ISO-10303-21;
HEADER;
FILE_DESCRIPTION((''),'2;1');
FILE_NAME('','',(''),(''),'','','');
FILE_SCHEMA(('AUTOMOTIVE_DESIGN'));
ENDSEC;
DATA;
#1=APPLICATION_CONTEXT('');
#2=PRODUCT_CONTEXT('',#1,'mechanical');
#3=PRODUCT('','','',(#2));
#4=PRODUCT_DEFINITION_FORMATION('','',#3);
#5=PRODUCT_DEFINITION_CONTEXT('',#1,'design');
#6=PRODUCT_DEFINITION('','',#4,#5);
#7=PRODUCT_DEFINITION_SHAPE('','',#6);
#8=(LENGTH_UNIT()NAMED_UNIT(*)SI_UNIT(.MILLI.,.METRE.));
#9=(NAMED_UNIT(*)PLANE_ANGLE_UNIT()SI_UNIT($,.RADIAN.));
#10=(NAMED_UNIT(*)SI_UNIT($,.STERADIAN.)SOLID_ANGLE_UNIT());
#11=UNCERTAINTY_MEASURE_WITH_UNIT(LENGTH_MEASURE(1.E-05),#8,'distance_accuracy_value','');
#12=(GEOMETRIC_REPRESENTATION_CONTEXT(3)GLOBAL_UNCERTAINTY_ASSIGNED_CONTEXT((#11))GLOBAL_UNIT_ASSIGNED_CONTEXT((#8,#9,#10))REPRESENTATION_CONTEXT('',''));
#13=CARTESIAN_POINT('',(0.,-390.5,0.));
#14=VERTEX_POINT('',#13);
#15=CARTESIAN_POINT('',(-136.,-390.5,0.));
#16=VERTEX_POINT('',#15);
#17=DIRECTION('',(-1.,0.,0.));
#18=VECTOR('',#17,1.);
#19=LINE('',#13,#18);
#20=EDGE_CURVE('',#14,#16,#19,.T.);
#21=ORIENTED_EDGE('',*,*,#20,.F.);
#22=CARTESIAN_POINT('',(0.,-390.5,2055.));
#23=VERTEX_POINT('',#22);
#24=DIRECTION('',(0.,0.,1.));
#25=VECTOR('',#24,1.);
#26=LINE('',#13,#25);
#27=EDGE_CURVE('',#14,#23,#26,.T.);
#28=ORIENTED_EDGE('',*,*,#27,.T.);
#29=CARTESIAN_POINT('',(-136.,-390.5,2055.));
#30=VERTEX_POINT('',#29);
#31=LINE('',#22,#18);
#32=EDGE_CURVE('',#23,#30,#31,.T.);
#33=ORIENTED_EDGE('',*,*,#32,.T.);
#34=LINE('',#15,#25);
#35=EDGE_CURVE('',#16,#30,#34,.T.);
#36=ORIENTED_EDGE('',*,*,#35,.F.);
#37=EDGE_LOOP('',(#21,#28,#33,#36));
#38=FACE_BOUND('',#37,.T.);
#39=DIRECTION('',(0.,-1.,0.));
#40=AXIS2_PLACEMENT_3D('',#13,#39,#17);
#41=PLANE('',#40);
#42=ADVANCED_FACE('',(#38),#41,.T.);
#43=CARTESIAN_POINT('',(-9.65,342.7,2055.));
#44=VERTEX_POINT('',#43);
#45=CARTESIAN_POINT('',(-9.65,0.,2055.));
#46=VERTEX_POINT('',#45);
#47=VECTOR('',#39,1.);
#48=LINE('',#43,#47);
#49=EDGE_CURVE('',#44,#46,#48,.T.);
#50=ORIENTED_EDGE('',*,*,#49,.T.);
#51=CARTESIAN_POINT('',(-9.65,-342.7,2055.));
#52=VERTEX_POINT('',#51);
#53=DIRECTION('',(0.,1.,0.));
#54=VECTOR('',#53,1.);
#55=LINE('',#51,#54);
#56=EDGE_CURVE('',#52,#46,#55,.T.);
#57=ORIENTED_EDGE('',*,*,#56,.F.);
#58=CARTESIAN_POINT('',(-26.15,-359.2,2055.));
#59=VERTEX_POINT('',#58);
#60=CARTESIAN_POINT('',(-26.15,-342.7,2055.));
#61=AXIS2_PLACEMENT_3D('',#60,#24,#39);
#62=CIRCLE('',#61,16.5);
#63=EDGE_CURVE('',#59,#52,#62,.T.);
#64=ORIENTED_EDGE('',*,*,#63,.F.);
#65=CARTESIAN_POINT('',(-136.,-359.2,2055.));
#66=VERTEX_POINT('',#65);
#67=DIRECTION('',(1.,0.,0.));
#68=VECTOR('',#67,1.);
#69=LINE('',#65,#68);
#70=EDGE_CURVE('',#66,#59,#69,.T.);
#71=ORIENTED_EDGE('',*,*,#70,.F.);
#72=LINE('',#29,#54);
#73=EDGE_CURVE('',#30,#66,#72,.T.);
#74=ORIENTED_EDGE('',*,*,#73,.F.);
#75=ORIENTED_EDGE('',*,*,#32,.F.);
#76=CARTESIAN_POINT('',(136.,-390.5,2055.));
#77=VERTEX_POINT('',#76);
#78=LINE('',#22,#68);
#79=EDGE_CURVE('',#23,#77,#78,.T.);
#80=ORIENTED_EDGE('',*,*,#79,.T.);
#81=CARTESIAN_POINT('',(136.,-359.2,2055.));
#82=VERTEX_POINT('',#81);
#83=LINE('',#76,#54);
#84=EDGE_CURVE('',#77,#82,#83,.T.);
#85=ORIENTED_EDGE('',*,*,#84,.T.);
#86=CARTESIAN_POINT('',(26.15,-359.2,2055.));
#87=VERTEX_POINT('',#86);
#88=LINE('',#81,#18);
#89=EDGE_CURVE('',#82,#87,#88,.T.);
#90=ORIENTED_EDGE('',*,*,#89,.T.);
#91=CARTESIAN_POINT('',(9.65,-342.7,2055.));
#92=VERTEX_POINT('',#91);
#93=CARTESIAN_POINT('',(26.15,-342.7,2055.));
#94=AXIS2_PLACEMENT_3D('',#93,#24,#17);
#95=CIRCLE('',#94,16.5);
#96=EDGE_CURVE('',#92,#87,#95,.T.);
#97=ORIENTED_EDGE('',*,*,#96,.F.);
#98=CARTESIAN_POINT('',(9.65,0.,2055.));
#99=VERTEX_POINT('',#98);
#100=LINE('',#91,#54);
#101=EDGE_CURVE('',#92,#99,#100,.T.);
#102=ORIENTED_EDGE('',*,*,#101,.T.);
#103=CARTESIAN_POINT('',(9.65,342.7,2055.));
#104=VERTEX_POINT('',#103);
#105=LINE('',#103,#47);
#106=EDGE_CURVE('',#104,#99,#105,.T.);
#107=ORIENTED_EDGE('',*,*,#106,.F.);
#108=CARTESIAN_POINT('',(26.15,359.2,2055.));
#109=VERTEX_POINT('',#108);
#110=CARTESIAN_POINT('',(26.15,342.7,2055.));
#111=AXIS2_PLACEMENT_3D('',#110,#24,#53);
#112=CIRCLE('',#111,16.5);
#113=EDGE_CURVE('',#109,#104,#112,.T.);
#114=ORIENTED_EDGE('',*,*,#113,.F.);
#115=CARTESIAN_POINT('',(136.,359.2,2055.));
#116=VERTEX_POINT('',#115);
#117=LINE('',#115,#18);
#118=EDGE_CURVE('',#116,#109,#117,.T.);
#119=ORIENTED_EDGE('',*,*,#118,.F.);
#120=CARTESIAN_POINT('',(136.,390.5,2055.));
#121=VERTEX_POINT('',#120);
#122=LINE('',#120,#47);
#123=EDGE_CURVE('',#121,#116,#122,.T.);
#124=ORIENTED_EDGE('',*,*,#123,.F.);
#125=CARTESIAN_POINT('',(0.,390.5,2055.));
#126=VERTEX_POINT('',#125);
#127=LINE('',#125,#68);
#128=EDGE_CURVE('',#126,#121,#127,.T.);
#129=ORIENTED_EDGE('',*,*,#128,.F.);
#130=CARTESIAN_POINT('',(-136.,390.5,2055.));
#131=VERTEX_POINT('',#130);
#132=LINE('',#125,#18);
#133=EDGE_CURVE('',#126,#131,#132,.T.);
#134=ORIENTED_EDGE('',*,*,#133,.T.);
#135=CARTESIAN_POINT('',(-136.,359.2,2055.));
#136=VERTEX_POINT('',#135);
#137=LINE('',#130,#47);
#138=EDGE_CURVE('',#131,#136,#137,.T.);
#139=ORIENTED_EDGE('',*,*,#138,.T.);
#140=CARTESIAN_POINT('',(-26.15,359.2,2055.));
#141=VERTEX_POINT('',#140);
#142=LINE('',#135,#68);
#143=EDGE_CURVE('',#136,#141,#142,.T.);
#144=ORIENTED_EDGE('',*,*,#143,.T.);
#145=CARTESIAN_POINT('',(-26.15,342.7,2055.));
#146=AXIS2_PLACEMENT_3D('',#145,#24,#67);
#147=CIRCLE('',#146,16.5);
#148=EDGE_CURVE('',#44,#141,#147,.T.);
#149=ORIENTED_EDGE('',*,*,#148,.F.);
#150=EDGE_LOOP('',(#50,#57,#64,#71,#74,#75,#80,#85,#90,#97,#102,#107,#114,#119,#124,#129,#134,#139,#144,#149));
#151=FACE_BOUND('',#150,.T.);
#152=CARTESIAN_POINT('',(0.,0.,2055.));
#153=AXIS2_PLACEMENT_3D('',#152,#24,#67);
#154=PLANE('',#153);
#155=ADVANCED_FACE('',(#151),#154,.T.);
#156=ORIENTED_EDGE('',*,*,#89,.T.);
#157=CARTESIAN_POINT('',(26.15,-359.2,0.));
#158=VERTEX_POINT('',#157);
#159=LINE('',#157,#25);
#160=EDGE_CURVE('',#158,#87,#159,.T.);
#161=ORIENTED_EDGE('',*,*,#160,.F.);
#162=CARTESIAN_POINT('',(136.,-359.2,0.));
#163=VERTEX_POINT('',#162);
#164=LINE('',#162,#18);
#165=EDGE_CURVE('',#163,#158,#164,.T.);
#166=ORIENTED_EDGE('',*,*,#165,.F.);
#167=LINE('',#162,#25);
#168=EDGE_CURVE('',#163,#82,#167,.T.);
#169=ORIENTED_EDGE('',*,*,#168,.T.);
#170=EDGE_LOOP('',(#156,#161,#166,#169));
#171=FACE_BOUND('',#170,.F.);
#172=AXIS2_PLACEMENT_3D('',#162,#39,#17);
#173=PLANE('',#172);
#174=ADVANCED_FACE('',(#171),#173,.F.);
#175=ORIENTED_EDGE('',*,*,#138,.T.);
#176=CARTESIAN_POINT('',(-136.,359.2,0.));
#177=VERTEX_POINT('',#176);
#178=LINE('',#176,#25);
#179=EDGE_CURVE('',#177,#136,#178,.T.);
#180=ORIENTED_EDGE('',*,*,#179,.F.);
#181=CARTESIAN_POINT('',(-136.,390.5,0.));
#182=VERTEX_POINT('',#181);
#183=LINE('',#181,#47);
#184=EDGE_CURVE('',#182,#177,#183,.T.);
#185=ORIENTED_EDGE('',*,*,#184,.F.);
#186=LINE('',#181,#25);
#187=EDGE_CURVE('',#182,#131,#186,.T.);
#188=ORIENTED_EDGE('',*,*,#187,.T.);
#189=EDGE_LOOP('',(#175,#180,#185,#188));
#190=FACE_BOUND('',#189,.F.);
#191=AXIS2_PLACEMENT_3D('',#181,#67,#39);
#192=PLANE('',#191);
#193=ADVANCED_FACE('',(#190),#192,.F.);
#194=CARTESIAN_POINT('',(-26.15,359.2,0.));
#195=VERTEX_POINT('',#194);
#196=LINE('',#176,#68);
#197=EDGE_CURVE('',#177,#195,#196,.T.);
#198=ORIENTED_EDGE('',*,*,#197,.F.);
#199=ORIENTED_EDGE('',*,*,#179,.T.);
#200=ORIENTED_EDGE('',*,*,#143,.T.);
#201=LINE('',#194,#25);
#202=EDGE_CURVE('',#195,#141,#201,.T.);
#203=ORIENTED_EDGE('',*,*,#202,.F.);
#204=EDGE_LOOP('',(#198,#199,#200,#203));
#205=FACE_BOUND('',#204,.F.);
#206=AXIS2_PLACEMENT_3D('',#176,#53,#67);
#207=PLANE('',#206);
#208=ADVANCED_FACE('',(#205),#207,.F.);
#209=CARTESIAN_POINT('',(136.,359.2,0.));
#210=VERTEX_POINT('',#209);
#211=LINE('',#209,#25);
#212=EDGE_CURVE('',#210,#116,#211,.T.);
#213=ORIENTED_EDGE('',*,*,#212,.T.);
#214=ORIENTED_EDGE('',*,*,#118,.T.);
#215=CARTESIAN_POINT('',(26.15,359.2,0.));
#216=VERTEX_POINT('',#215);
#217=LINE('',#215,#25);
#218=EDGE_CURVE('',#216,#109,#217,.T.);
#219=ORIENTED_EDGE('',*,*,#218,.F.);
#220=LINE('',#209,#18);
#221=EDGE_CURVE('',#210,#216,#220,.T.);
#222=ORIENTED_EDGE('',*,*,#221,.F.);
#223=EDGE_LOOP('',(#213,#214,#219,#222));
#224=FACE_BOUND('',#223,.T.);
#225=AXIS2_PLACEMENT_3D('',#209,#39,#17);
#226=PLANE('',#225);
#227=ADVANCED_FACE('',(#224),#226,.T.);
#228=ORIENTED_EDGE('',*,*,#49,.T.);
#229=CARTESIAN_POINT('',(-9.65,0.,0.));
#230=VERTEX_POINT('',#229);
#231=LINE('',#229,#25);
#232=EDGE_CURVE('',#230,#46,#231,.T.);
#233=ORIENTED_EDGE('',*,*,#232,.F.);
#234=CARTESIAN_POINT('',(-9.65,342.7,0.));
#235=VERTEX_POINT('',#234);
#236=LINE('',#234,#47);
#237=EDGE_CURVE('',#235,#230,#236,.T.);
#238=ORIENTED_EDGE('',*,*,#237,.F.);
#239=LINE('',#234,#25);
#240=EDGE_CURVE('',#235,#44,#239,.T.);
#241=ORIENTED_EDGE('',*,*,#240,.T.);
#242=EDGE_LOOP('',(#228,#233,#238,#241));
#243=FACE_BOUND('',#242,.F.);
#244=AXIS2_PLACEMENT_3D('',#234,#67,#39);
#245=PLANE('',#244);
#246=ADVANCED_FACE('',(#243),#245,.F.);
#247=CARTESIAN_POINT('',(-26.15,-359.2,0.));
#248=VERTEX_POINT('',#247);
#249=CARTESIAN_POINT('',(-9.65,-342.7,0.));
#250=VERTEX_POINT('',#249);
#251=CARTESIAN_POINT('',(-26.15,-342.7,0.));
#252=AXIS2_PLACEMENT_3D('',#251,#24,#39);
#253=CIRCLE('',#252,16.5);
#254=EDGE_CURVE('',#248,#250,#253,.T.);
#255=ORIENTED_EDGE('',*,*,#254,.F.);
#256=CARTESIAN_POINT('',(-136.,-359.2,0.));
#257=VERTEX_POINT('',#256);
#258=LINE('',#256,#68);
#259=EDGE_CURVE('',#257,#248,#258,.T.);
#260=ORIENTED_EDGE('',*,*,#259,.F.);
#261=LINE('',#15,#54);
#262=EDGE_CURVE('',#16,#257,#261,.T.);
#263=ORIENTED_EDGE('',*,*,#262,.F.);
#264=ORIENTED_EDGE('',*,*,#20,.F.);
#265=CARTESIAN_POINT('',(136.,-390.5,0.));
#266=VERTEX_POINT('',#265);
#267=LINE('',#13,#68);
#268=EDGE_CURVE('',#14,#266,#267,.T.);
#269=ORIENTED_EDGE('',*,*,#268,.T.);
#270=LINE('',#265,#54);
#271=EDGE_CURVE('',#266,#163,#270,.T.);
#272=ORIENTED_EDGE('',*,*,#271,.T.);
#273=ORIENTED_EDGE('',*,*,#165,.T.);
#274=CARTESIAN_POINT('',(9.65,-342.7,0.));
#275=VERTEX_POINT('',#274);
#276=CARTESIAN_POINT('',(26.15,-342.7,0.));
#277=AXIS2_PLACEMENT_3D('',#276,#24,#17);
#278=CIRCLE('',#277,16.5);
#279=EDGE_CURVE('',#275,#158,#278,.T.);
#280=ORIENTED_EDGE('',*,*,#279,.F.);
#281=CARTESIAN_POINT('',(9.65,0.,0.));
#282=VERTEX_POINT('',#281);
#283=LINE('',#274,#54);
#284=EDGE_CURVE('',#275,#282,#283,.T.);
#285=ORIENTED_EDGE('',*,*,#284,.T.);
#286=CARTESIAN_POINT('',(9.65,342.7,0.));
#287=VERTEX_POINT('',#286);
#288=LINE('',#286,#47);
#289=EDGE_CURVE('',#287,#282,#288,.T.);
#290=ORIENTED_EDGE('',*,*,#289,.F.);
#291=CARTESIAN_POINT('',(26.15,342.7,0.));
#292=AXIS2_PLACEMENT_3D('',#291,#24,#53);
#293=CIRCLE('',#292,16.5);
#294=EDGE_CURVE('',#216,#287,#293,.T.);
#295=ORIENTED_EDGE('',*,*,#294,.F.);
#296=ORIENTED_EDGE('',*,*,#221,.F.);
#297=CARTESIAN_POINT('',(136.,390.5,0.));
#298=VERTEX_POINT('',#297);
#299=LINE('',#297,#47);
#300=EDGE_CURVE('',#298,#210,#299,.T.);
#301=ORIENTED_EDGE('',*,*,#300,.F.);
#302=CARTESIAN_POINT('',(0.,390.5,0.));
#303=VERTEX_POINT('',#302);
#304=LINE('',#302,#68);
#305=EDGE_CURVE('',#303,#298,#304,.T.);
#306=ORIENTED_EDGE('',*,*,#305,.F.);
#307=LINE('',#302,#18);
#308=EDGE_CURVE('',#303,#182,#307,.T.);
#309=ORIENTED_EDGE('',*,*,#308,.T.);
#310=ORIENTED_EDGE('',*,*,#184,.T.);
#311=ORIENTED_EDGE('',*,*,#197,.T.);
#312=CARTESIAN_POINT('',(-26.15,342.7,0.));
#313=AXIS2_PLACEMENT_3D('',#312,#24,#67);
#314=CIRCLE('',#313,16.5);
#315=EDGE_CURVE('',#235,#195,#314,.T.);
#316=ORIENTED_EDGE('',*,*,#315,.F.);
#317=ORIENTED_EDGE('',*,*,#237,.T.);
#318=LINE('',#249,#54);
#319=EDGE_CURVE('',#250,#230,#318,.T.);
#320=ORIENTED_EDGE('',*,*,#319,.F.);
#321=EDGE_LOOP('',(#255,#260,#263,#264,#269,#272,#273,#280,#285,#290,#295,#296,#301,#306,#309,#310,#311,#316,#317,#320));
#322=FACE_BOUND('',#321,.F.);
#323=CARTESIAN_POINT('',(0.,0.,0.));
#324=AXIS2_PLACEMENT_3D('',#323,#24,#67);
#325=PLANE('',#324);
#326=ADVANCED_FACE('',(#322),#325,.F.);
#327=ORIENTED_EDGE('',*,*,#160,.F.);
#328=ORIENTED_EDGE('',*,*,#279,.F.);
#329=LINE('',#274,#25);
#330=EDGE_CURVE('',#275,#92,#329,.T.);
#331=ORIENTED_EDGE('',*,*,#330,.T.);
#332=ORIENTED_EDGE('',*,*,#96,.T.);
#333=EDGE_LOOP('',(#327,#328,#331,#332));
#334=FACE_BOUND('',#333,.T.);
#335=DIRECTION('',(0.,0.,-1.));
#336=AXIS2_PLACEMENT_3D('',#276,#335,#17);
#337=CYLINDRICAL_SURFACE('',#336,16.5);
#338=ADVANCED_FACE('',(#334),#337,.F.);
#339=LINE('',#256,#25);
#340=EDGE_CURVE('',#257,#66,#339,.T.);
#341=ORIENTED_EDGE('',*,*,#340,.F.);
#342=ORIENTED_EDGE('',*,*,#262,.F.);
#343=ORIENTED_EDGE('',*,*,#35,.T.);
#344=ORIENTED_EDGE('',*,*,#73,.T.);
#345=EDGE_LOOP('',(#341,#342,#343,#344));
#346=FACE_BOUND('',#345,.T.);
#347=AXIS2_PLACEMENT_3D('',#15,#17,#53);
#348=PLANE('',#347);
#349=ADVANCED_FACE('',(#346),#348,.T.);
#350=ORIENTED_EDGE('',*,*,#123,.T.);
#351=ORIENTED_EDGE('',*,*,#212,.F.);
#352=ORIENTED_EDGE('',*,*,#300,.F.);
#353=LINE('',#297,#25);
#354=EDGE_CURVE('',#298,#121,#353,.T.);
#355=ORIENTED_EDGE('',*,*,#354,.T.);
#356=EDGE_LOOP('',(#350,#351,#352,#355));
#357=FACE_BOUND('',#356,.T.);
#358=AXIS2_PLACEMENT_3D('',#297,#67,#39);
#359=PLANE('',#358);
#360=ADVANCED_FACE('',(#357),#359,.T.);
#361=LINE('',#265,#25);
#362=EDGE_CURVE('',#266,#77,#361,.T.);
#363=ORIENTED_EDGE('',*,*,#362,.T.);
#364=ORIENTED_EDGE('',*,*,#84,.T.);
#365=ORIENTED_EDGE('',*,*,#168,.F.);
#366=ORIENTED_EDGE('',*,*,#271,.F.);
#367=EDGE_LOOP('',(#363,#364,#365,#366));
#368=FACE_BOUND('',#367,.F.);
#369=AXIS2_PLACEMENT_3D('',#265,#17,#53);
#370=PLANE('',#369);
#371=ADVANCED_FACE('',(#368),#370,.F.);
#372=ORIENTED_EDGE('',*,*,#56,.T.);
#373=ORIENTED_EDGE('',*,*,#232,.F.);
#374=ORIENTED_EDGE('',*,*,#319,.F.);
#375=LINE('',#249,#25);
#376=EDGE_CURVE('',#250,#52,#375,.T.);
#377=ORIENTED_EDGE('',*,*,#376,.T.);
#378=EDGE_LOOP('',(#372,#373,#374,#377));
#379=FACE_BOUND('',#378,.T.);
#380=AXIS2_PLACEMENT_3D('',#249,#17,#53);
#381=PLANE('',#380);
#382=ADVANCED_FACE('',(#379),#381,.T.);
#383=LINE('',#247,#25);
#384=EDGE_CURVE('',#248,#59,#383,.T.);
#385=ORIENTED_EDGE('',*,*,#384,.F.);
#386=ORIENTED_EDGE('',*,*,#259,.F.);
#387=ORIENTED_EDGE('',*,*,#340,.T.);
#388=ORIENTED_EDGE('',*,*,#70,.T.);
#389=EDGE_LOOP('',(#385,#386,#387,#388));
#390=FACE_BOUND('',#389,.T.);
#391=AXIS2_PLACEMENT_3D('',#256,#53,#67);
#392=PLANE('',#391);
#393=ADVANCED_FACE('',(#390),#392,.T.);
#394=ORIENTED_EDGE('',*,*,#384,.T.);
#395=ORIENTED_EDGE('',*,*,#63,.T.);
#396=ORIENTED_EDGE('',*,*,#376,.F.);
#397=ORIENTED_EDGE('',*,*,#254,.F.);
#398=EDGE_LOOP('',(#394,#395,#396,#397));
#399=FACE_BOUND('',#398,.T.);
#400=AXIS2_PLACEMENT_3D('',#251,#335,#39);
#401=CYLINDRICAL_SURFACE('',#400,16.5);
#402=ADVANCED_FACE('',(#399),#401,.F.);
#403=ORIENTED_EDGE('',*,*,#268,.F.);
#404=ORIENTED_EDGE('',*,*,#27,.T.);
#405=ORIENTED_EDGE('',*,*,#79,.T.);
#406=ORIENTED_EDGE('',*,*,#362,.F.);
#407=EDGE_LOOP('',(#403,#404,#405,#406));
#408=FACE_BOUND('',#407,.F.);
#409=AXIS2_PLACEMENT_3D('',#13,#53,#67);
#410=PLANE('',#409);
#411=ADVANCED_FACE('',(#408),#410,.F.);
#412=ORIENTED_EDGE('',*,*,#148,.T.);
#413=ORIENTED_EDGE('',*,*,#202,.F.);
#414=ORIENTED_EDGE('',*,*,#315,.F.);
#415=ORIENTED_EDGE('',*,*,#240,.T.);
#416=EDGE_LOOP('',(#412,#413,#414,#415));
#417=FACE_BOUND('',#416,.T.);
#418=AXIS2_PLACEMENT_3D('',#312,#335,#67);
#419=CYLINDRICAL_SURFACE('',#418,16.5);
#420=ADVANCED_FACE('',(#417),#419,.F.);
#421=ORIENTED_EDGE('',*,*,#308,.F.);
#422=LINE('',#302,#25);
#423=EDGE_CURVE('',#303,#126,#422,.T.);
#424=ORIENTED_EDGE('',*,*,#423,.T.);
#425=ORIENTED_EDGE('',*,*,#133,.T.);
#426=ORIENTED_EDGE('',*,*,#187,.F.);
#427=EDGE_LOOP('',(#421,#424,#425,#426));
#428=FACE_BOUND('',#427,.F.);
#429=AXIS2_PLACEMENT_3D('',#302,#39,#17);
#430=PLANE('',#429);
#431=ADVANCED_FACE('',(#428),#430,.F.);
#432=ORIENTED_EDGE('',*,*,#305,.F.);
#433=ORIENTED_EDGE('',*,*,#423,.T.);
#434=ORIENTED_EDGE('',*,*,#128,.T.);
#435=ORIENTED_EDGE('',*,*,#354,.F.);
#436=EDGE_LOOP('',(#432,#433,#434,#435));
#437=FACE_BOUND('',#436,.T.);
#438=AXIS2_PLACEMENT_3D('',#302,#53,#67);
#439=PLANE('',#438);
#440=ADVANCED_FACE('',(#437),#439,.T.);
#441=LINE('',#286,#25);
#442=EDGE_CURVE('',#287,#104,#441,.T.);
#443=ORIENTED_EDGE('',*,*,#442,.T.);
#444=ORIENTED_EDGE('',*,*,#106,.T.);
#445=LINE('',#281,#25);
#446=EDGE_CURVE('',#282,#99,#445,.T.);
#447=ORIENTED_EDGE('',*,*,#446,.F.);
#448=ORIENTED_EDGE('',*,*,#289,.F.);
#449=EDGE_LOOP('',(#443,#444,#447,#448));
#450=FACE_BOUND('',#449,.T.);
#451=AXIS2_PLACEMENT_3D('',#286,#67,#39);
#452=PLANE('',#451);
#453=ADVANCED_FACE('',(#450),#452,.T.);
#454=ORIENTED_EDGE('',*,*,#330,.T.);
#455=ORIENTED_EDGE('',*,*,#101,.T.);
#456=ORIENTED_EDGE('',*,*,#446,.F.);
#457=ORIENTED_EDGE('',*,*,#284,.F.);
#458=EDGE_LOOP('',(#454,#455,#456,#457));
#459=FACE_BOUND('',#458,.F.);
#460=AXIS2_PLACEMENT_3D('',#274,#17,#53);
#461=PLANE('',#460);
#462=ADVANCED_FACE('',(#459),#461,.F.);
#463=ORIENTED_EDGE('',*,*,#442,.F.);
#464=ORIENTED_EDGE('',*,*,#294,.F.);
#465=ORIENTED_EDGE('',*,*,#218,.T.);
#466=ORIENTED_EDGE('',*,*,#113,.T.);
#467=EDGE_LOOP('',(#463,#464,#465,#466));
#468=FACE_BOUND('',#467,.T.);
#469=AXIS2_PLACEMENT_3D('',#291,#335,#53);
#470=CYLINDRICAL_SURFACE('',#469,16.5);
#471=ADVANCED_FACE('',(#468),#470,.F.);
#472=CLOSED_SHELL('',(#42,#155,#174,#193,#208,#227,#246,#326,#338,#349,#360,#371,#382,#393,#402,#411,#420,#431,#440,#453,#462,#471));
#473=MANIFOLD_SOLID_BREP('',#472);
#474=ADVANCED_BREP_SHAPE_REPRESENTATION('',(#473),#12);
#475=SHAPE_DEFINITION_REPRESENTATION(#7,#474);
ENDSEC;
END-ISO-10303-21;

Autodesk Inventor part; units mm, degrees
ref_plane "YZ Plane" through (0, 0, 0) normal (1, 0, 0) x (0, 1, 0)
ref_plane "Start plane" through (0, 0, 0) normal (0, 0, 1) x (1, 0, 0)
ref_plane "End plane" through (0, 0, 2055) normal (0, 0, 1) x (1, 0, 0)
sketch "Sketch" plane through (0, 0, 0) normal (0, 0, 1) x (1, 0, 0)
  line L0 (-136, -390.5) -> (-136, -359.2)
  line L1 (-136, -359.2) -> (-26.15, -359.2)
  line L2 (-9.65, -342.7) -> (-9.65, 0)
  line L3 (-9.65, 0) -> (0, 0) construction
  line L4 (0, 0) -> (0, -390.5) construction
  line L5 (0, -390.5) -> (-136, -390.5)
  line L6 (-60, 0) -> (80, 0) construction
  line L7 (0, -60) -> (0, 80) construction
  line L8 (136, -390.5) -> (136, -359.2)
  line L9 (136, -359.2) -> (26.15, -359.2)
  line L10 (9.65, -342.7) -> (9.65, 0)
  line L11 (9.65, 0) -> (0, 0) construction
  line L12 (0, -390.5) -> (136, -390.5)
  line L13 (-136, 390.5) -> (-136, 359.2)
  line L14 (-136, 359.2) -> (-26.15, 359.2)
  line L15 (-9.65, 342.7) -> (-9.65, 0)
  line L16 (0, 390.5) -> (-136, 390.5)
  line L17 (136, 390.5) -> (136, 359.2)
  line L18 (136, 359.2) -> (26.15, 359.2)
  line L19 (0, 390.5) -> (136, 390.5)
  line L20 (9.65, 342.7) -> (9.65, 0)
  arc A0 (-9.65, 342.7) -> (-26.15, 359.2) centre (-26.15, 342.7) ccw
  arc A1 (26.15, 359.2) -> (9.65, 342.7) centre (26.15, 342.7) ccw
  arc A2 (9.65, -342.7) -> (26.15, -359.2) centre (26.15, -342.7) ccw
  arc A3 (-26.15, -359.2) -> (-9.65, -342.7) centre (-26.15, -342.7) ccw
  line L21 (0, 108) -> (0, -88) construction
  line L22 (-88, 0) -> (108, 0) construction
  point P0 (-9.65, -359.2)
  point P1 (9.65, -359.2)
  point P2 (-9.65, 359.2)
  point P3 (9.65, 359.2)
  dimension "d1" = 390.5
  dimension "d2" = 31.3
  dimension "d3" = 136
  dimension "d4" = 9.65
  dimension "d10" = 16.5
extrude "Body" add sketch "Sketch" along normal up to surface (2055 mm away) from surface at 0
sketch "Sketch4" plane through (0, 0, 0) normal (0, 0, 1) x (1, 0, 0)
  line L0 (0, 0) -> (10, 0)
ref_plane "Work Plane3" through (0, 0, 0) normal (0, -1, 0) x (1, 0, 0)
sketch "Sketch5" plane through (0, 0, 0) normal (0, -1, 0) x (1, 0, 0)
  line L0 (-2, 0) -> (12, 0) projected
  line L1 (-2, 2055) -> (12, 2055) projected
  dimension "d14" = 2055
equation "\"d1\" = 0.5 * G_H"
equation "\"d2\" = G_T1"
equation "\"d3\" = 0.5 * G_W"
equation "\"d4\" = 0.5 * G_T"
equation "\"d10\" = G_IR"
equation "\"d5\" = G_L"
equation "\"G_W\" = 272"
equation "\"G_H\" = 781"
equation "\"G_T\" = 19.3"
equation "\"G_T1\" = 31.3"
equation "\"G_IR\" = 16.5"
equation "\"G_L\" = d14"
equation "\"G_OFFSET_START\" = 0"
equation "\"G_OFFSET_END\" = 0"
equation "\"d12\" = G_OFFSET_END + B_L"
equation "\"B_L\" = 2055"
properties part number "AS 3679-1990 - 760 UB - 244 - 2055" material "Steel, Mild"
